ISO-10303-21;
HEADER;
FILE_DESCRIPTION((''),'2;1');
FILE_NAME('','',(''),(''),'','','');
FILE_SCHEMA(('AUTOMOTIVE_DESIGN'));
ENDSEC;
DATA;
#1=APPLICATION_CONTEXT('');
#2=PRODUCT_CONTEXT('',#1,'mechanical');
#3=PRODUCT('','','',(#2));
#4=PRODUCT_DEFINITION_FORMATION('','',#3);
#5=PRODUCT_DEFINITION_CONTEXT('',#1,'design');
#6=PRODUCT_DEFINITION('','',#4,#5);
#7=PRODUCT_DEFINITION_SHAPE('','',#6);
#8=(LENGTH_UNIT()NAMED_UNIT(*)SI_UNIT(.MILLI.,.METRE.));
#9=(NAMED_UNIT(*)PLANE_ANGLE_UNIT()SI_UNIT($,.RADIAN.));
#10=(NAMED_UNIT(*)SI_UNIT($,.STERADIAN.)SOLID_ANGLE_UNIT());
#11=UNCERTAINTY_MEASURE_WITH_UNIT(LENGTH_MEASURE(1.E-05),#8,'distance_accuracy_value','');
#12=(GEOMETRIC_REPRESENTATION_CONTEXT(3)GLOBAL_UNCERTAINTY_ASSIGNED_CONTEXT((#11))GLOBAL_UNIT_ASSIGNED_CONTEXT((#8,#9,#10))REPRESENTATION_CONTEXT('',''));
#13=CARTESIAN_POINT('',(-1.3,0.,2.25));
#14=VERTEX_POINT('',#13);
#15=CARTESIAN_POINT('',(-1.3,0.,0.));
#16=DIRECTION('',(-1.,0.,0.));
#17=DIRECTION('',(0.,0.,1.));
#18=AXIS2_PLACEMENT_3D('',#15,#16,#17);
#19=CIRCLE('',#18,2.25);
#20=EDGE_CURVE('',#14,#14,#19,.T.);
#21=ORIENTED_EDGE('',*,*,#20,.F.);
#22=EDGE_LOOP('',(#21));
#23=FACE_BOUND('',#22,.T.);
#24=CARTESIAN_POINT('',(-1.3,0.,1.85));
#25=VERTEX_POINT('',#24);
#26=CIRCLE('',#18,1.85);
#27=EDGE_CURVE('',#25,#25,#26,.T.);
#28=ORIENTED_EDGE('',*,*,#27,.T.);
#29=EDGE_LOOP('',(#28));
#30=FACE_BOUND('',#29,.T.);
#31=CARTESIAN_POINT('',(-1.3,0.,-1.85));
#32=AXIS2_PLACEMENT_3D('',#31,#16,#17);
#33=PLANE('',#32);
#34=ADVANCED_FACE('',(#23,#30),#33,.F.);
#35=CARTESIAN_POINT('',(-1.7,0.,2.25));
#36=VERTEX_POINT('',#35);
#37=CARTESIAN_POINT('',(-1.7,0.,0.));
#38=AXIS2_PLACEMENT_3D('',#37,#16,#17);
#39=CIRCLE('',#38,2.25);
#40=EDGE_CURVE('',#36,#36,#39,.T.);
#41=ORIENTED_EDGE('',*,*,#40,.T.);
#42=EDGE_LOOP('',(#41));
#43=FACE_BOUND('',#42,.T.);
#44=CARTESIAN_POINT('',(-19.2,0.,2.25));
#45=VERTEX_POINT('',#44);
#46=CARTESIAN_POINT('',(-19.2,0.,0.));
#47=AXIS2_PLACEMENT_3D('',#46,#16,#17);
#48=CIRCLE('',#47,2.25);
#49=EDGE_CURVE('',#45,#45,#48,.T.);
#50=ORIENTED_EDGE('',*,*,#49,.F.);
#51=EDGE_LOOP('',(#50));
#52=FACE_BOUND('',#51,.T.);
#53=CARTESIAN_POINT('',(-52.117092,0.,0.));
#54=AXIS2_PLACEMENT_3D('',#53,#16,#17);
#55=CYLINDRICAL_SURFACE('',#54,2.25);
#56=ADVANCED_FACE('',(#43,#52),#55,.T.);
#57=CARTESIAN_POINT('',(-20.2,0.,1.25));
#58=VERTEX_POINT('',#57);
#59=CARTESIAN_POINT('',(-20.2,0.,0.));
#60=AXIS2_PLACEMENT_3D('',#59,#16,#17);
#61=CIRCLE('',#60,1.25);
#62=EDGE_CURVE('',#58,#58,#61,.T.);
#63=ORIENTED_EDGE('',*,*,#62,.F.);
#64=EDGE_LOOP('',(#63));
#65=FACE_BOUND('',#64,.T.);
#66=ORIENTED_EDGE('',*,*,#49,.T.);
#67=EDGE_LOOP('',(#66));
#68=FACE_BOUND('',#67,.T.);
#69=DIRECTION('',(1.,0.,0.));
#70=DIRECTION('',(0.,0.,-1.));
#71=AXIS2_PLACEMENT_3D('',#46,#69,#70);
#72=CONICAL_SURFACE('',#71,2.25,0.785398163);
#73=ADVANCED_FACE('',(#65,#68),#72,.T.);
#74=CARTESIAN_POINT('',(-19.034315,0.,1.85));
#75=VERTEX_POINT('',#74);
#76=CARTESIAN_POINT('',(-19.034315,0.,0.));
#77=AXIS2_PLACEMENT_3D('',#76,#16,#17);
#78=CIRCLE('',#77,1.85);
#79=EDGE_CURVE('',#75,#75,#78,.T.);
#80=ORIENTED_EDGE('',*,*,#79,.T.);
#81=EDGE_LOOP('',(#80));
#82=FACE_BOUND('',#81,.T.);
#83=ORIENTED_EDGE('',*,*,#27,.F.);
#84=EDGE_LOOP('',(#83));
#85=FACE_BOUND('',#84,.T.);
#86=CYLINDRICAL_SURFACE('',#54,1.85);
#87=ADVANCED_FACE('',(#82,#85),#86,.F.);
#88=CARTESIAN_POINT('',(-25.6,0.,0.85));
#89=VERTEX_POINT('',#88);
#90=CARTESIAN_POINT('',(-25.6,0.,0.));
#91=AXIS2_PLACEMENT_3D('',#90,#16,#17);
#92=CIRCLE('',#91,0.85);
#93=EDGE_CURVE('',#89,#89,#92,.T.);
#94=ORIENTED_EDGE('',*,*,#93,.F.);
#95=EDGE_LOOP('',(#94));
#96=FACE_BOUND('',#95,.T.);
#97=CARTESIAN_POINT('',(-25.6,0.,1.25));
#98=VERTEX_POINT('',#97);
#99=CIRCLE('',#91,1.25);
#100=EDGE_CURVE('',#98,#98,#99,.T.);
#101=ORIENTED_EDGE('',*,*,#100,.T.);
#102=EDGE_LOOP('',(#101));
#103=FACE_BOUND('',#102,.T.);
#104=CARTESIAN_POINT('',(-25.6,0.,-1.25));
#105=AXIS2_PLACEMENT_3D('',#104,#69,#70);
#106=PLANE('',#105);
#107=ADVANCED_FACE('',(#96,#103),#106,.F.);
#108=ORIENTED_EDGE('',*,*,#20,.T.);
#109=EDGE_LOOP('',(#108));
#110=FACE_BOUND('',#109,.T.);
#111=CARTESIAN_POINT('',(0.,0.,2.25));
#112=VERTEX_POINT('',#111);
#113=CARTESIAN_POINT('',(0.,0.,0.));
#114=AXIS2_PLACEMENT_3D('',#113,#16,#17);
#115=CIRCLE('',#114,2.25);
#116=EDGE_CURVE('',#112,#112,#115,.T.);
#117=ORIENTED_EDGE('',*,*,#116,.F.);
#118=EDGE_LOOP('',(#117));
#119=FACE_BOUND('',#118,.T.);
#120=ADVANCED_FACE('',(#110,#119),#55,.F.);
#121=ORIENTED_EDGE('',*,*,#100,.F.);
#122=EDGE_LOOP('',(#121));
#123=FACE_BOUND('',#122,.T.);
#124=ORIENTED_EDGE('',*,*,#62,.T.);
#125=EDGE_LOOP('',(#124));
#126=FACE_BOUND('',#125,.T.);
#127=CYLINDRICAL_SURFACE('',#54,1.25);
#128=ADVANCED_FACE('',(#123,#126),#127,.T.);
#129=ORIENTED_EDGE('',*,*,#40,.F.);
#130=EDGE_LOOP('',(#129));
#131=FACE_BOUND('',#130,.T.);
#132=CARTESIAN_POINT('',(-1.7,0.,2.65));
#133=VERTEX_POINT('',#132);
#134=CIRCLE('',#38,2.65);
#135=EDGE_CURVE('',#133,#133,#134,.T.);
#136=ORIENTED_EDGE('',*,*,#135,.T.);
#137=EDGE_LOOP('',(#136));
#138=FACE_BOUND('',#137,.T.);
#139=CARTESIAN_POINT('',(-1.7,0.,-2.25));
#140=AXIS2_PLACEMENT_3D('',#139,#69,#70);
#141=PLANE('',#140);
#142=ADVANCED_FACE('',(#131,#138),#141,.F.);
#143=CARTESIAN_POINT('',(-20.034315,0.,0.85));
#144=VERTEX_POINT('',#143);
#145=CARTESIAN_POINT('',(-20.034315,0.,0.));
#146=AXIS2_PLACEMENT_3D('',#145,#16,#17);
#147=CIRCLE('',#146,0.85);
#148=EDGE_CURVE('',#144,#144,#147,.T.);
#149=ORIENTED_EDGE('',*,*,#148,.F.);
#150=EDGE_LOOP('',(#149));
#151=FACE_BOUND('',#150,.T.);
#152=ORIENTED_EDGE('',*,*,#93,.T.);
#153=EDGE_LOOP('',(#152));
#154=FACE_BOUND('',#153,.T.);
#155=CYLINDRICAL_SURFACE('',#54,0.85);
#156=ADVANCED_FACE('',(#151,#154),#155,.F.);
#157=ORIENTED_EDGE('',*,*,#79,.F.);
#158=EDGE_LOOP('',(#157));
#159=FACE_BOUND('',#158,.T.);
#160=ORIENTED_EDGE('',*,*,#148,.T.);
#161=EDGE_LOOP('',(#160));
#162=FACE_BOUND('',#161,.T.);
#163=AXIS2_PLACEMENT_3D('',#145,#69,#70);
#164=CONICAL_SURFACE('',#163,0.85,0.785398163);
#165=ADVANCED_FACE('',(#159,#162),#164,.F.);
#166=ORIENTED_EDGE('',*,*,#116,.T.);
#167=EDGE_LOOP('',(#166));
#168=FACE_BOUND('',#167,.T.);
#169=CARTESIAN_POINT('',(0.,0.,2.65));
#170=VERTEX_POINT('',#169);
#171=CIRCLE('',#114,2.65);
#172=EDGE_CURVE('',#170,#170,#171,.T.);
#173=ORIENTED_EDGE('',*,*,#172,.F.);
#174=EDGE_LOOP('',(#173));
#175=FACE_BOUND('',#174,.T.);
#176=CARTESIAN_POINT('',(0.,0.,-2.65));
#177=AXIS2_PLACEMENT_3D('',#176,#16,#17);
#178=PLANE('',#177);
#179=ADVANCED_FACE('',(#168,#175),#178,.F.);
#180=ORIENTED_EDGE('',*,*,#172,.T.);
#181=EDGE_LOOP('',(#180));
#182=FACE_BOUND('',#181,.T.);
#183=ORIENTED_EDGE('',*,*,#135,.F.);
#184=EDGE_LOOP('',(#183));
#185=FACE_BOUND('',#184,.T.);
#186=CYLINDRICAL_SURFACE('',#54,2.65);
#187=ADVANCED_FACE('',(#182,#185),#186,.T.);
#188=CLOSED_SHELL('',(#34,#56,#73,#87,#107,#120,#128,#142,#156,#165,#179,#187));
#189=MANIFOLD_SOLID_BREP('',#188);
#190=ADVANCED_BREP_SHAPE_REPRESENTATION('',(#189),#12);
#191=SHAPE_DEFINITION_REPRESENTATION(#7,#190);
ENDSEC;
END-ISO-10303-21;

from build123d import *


with BuildPart() as part:
    # Sketch1 → Revolve1 (revolve)
    with BuildSketch(Plane(origin=(0, 0, 0), x_dir=(1, 0, 0), z_dir=(0, 1, 0)), mode=Mode.PRIVATE) as revolve1_sk:
        Polygon((-25.6, 0.85), (-20.034314575, 0.85), (-19.034314575, 1.85), (-1.3, 1.85), (-1.3, 2.25), (0, 2.25), (0, 2.65), (-1.7, 2.65), (-1.7, 2.25), (-19.2, 2.25), (-20.2, 1.25), (-25.6, 1.25), align=None)
    revolve(revolve1_sk.sketch.rotate(Axis((-52.117092297, 0, 0), (1, 0, 0)), 180), axis=Axis((-52.117092297, 0, 0), (1, 0, 0)))


solid = part.part
